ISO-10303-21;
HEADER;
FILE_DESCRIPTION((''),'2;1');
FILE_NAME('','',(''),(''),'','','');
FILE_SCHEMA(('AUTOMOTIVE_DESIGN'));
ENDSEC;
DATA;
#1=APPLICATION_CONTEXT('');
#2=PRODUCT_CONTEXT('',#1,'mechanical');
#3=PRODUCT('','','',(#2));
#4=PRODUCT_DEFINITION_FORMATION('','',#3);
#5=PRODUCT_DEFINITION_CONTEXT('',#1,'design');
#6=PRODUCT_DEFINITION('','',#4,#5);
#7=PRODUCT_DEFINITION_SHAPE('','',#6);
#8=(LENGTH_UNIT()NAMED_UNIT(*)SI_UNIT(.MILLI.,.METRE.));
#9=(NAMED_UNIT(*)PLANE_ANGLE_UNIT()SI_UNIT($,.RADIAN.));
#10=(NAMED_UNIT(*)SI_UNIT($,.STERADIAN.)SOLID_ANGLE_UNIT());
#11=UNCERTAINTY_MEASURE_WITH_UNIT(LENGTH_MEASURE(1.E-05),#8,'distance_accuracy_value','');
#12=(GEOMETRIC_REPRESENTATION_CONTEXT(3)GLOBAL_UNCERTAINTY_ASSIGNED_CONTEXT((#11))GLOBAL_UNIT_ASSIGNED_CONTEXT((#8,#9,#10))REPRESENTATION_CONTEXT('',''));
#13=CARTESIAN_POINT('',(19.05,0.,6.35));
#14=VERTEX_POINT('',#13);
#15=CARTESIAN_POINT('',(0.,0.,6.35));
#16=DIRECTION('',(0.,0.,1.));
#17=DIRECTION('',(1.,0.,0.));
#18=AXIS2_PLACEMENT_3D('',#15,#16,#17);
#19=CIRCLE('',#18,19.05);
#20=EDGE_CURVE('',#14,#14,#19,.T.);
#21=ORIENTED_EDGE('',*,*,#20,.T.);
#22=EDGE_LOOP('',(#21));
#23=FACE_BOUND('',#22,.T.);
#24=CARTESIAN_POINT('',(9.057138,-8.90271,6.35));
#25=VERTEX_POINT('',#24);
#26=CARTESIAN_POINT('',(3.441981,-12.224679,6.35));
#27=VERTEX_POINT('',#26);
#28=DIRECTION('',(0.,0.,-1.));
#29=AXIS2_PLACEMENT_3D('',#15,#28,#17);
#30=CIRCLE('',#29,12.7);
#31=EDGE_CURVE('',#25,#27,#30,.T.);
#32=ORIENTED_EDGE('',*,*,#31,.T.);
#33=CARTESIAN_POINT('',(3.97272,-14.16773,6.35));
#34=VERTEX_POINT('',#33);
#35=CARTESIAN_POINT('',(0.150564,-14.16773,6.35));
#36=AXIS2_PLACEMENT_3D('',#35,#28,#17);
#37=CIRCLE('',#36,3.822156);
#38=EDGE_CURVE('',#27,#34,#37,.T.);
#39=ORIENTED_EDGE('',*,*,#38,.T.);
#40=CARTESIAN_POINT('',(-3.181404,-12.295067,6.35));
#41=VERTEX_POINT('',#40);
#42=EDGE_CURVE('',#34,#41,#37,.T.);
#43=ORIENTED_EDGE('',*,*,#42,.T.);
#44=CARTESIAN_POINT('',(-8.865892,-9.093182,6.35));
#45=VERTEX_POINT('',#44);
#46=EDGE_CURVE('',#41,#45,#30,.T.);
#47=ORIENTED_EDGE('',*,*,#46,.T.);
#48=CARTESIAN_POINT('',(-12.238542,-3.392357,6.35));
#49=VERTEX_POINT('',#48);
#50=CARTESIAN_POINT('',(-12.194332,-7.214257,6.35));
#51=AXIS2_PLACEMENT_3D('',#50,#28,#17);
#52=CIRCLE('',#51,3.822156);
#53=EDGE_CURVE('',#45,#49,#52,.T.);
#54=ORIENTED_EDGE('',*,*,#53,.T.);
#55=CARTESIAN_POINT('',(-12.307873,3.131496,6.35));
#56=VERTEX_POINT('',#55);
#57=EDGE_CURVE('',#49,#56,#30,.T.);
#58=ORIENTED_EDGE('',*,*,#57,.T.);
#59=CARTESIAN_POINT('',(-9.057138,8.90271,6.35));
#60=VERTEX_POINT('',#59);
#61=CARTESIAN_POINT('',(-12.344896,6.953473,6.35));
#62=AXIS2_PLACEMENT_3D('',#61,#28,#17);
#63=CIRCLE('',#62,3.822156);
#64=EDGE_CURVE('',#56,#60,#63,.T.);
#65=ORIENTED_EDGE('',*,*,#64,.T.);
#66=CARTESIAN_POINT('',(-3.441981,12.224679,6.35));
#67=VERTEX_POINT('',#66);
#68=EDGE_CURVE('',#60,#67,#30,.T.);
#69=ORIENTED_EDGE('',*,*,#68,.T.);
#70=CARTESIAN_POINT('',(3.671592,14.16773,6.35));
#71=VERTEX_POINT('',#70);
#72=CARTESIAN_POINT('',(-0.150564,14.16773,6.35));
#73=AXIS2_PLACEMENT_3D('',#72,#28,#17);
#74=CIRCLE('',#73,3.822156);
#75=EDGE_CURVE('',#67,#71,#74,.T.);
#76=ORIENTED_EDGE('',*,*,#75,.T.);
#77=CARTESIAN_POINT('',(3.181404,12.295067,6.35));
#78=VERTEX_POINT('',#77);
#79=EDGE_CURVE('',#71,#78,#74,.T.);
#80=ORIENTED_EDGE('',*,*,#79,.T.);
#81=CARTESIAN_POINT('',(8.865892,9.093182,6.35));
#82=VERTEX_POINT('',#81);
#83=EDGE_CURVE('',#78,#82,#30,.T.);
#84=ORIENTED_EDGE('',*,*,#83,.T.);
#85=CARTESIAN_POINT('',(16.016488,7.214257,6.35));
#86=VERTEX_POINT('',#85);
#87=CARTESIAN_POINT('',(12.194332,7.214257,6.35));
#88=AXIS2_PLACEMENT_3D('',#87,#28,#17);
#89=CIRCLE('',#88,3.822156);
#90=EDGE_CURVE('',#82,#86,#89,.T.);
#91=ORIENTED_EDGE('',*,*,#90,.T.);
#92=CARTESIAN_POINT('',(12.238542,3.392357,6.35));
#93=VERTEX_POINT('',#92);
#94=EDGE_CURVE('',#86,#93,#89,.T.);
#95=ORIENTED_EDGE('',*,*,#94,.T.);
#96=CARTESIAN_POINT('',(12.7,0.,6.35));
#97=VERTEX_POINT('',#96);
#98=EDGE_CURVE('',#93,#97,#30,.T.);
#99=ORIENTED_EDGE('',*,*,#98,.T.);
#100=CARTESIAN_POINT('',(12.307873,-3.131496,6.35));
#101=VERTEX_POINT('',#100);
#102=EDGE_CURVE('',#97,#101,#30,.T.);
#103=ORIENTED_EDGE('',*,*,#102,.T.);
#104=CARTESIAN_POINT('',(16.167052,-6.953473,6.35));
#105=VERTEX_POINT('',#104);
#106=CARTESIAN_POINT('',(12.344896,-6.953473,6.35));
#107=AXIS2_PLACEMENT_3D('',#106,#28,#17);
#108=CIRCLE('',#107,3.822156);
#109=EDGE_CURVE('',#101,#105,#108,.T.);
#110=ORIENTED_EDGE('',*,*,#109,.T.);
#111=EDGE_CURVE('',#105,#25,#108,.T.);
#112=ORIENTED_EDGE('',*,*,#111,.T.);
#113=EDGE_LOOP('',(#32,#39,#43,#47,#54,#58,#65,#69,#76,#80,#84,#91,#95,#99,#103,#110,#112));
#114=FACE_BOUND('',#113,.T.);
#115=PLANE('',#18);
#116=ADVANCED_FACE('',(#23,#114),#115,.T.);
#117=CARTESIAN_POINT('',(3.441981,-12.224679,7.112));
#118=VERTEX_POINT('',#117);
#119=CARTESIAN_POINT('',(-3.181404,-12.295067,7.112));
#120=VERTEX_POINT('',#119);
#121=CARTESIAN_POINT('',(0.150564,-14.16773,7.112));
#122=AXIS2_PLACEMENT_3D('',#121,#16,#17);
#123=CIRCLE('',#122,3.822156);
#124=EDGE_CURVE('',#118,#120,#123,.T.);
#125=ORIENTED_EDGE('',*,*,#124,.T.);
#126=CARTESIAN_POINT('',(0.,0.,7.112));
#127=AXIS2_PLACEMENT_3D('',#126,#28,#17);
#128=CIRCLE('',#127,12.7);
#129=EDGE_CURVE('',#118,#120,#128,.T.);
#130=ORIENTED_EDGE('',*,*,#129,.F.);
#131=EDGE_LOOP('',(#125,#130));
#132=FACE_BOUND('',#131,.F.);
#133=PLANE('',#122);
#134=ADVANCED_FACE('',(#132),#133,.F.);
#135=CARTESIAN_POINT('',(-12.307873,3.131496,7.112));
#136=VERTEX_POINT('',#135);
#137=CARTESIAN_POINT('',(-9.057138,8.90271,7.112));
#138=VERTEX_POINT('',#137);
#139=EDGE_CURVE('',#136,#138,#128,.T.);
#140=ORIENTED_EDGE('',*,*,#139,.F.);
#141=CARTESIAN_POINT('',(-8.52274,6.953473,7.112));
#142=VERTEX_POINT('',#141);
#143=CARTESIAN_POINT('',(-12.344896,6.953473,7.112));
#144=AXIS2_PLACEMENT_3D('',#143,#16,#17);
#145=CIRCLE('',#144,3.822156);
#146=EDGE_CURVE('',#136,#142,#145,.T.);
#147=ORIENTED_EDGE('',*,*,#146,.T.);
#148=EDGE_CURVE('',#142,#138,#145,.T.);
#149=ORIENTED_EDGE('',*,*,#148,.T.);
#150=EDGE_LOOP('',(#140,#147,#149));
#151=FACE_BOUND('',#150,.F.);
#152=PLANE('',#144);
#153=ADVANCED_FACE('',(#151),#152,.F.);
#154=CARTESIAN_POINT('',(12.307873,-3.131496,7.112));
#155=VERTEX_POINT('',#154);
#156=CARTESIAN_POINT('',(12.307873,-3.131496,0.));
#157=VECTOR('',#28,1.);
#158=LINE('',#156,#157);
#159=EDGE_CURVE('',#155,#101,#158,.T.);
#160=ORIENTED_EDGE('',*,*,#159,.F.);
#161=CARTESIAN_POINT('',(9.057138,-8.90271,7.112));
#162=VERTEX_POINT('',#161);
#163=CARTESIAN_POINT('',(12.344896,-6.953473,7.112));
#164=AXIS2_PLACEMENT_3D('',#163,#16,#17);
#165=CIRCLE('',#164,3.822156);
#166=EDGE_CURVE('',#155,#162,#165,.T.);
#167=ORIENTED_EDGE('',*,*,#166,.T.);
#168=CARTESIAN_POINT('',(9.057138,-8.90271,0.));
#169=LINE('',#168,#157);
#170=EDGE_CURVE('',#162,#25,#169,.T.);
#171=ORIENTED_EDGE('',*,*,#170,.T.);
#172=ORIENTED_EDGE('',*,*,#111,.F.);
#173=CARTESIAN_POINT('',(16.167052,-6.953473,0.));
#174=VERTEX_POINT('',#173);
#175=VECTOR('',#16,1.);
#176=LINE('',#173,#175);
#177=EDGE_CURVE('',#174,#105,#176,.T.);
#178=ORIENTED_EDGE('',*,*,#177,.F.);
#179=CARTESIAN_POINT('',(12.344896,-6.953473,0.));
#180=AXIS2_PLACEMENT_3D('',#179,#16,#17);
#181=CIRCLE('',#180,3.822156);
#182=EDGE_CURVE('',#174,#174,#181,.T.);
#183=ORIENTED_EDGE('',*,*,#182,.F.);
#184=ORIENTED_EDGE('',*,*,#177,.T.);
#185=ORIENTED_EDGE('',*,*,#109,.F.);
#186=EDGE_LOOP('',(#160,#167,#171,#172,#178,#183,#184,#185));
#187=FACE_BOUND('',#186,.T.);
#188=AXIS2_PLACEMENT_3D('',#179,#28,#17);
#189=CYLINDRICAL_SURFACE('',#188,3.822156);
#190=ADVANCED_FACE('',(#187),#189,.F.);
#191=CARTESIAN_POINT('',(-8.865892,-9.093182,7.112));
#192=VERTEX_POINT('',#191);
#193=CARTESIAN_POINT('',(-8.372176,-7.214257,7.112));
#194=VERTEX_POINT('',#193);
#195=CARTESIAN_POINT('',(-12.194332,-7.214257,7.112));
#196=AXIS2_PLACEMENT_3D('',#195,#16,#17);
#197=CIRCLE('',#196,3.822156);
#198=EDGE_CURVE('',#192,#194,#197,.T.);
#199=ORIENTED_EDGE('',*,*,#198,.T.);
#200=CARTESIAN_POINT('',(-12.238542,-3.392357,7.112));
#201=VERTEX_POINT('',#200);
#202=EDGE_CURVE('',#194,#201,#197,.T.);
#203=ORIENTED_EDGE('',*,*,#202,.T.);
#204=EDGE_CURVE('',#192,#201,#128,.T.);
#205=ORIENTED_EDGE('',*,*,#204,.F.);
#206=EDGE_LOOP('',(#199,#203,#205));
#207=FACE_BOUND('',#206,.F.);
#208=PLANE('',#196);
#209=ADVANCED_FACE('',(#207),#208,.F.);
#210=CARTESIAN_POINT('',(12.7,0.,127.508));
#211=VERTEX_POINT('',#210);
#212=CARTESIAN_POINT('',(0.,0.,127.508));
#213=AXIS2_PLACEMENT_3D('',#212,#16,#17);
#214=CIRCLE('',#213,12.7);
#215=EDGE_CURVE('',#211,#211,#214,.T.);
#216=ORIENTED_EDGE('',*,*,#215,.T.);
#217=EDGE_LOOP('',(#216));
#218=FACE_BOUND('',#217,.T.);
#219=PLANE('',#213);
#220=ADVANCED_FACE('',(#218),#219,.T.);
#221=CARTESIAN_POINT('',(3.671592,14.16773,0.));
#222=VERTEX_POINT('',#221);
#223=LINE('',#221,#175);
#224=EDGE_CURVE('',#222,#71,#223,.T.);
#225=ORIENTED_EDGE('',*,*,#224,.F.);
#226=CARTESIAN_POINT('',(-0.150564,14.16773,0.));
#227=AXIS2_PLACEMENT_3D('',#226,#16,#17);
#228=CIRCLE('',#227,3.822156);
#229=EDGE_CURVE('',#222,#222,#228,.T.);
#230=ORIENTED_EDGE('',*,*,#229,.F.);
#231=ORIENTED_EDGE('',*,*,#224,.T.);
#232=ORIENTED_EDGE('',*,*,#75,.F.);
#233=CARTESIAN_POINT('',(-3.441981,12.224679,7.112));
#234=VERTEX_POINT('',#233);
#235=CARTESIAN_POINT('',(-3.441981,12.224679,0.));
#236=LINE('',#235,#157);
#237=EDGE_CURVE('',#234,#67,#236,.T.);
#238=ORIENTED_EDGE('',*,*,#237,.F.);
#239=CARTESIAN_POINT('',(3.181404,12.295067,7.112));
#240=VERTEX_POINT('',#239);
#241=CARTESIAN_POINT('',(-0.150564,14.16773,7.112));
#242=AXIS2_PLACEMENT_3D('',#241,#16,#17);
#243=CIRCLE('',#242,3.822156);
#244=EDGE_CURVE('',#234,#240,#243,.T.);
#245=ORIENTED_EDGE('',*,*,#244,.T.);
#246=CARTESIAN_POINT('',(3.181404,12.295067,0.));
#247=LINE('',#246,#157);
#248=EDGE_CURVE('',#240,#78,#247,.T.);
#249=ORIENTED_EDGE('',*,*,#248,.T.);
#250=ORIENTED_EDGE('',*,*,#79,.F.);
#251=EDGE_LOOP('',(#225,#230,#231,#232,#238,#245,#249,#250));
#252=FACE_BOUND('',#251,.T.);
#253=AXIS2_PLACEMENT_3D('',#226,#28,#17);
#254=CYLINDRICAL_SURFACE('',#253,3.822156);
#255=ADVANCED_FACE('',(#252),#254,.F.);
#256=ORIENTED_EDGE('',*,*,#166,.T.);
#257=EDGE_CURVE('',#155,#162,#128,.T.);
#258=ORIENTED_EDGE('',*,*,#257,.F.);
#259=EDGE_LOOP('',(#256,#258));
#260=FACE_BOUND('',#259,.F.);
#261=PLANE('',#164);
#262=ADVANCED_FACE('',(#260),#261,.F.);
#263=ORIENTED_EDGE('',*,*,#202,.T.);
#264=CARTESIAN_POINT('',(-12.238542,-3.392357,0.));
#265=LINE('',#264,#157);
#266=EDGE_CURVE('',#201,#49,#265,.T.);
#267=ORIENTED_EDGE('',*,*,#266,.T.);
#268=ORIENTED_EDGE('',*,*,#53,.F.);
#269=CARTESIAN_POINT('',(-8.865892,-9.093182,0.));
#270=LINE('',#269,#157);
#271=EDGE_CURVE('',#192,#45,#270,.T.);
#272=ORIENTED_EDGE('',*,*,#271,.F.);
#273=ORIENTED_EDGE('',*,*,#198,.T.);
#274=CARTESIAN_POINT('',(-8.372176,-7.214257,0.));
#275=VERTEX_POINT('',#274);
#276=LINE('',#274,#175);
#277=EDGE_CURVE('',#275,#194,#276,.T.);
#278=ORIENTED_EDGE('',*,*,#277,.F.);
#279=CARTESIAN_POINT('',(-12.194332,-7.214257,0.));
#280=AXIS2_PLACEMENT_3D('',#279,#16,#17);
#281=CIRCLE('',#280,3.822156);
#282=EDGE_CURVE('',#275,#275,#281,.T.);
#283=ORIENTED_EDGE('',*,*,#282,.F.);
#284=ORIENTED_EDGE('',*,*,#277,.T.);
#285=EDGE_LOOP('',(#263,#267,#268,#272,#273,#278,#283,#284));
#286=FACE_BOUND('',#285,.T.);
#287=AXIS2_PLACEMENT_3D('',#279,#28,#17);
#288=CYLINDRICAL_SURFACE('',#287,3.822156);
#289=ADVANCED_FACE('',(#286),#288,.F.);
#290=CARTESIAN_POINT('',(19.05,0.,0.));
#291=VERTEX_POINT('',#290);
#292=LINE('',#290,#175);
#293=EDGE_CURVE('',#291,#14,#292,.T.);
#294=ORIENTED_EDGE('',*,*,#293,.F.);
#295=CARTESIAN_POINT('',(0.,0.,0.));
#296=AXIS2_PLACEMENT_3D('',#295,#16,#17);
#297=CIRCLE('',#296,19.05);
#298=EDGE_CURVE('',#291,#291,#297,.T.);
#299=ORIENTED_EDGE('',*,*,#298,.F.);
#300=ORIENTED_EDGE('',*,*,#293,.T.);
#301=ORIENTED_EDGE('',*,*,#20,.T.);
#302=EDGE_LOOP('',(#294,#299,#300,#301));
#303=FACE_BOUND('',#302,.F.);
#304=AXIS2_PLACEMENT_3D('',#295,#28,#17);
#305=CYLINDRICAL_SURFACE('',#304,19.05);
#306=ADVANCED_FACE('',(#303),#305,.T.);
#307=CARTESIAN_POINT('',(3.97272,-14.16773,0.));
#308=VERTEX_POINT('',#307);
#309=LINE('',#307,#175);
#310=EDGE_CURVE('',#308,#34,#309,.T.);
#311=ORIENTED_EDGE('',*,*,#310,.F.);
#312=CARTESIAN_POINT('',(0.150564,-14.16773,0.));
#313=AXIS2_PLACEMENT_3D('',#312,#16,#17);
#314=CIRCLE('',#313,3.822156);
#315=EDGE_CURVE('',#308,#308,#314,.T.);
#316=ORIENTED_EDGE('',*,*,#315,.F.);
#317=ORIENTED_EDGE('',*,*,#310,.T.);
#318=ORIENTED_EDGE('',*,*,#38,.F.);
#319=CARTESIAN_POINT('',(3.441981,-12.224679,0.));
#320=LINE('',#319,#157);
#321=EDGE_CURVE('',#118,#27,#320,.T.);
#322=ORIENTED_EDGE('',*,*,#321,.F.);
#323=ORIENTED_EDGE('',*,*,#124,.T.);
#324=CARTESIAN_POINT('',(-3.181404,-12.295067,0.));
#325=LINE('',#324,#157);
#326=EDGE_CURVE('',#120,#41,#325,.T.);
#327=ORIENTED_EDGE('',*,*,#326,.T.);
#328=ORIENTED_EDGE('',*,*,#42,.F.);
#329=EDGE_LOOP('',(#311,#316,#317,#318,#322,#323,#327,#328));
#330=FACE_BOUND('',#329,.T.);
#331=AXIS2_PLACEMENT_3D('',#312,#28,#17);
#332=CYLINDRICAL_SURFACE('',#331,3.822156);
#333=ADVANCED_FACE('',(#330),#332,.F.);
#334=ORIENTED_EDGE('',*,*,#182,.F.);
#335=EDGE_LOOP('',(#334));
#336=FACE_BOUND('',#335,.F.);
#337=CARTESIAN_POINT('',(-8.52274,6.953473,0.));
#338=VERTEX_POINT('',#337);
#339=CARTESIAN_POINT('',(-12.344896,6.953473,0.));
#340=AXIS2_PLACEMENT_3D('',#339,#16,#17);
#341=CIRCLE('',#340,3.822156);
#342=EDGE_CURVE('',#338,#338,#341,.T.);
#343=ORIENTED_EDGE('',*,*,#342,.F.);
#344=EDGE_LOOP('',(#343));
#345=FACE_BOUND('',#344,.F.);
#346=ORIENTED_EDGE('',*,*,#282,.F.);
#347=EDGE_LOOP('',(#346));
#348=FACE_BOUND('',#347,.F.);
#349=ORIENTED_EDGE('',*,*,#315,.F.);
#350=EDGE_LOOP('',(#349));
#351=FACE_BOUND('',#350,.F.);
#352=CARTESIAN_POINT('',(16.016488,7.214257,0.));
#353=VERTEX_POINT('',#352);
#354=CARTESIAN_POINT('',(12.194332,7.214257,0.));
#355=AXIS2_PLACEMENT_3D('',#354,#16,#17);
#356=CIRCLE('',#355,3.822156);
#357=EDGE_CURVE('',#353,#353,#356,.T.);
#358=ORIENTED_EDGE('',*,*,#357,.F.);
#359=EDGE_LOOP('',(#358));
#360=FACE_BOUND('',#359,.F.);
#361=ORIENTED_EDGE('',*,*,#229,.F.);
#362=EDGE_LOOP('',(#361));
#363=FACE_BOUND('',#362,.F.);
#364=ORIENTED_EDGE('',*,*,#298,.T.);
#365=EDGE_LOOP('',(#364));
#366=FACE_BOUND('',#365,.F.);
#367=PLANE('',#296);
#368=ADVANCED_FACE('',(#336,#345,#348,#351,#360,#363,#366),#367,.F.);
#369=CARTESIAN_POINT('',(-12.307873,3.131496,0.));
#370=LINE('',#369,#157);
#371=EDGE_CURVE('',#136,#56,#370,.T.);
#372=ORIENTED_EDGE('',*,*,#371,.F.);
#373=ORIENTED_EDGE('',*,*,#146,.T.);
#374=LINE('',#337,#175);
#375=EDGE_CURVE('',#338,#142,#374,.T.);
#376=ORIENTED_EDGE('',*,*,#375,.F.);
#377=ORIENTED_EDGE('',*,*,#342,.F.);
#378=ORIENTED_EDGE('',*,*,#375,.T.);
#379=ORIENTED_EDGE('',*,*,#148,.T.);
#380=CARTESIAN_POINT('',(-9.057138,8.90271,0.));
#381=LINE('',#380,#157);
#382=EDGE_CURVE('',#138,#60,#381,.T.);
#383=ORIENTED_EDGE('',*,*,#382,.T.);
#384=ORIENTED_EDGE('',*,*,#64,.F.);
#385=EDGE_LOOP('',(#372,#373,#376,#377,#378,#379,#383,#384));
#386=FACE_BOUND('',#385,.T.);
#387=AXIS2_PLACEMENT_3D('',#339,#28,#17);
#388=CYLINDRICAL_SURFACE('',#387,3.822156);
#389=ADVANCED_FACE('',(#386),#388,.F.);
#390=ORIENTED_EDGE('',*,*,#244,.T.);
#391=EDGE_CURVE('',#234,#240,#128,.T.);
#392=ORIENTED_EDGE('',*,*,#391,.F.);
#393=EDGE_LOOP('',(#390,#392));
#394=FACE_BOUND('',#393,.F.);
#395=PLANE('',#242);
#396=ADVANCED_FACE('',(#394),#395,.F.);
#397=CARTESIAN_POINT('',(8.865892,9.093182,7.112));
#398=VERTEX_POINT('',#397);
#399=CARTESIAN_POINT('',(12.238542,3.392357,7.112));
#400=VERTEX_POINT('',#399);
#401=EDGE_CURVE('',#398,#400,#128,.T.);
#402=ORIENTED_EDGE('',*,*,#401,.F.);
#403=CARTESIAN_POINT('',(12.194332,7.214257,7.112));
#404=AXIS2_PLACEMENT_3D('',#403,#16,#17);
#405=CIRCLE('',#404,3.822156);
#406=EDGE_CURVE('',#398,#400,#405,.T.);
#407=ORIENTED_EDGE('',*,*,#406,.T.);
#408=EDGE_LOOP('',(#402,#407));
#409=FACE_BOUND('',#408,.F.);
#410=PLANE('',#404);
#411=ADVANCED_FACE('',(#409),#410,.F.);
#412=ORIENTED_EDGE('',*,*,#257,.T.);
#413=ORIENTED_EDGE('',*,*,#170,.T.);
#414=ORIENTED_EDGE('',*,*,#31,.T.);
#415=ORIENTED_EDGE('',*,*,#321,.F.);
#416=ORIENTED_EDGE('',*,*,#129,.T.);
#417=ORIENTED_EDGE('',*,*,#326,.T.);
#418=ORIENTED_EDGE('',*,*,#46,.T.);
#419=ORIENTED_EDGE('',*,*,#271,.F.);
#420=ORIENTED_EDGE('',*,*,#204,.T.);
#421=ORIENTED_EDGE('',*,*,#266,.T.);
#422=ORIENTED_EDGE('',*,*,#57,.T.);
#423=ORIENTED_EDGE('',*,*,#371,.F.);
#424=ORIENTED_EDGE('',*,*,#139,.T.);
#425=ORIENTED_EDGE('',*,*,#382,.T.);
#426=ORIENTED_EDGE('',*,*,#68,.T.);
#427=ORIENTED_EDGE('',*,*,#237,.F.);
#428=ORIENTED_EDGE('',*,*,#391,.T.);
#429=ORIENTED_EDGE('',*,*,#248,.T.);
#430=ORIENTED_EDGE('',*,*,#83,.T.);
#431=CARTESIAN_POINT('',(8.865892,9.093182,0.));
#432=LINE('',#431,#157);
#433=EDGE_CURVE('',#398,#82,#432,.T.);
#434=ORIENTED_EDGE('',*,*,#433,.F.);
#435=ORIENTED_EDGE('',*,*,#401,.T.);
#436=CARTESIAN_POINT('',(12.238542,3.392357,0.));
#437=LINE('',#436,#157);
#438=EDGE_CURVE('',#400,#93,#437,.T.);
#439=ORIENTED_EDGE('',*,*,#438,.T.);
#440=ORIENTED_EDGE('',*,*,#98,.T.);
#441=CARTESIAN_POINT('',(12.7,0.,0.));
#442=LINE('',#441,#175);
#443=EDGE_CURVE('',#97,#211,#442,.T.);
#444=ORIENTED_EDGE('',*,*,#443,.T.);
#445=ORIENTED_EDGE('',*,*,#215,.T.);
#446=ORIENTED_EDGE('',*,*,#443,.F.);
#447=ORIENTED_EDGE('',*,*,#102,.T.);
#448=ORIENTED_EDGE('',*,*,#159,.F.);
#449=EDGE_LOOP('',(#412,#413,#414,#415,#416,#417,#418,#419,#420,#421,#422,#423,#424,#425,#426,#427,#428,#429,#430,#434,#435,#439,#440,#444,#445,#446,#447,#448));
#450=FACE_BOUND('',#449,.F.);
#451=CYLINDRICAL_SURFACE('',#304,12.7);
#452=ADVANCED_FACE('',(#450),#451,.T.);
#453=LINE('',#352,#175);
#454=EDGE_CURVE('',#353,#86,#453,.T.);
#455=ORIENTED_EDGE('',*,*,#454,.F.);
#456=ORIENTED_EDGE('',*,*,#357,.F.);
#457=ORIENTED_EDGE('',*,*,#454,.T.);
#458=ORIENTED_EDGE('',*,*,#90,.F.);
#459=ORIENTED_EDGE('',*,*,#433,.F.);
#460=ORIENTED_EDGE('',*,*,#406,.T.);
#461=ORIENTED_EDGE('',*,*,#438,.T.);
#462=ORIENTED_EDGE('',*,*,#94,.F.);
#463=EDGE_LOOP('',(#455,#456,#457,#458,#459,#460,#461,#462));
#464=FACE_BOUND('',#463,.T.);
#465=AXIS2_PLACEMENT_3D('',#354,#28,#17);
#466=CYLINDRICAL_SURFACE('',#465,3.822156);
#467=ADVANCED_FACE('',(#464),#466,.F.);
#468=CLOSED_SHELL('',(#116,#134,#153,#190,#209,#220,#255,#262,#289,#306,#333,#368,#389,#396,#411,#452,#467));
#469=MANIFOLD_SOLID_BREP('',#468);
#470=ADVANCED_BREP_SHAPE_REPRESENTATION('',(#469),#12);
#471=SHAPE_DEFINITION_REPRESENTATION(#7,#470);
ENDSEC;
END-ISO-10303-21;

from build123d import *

# Parameters (mm, degrees)
F0_R     = 12.7
F1_DEPTH = 127.508
F2_R     = 19.05
F3_DEPTH = 6.35
F4_R     = 3.822156
F5_DEPTH = 7.112


with BuildPart() as f1:
    # F0 (on Top) → F1 (new body)
    with BuildSketch(Plane.XY):
        Circle(F0_R)
    extrude(amount=F1_DEPTH)

    # F2 (on Top) → F3 (join)
    with BuildSketch(Plane.XY):
        Circle(F2_R)
    extrude(amount=F3_DEPTH)

    # F4 (on Top) → F5 (cut)
    with BuildSketch(Plane.XY):
        with Locations((12.194332, 7.214257)):
            Circle(F4_R)
        with Locations((-0.150564, 14.16773)):
            Circle(F4_R)
        with Locations((-12.344896, 6.953473)):
            Circle(F4_R)
        with Locations((-12.194332, -7.214257)):
            Circle(F4_R)
        with Locations((0.150564, -14.16773)):
            Circle(F4_R)
        with Locations((12.344896, -6.953473)):
            Circle(F4_R)
    extrude(amount=F5_DEPTH, mode=Mode.SUBTRACT)


solid = f1.part
